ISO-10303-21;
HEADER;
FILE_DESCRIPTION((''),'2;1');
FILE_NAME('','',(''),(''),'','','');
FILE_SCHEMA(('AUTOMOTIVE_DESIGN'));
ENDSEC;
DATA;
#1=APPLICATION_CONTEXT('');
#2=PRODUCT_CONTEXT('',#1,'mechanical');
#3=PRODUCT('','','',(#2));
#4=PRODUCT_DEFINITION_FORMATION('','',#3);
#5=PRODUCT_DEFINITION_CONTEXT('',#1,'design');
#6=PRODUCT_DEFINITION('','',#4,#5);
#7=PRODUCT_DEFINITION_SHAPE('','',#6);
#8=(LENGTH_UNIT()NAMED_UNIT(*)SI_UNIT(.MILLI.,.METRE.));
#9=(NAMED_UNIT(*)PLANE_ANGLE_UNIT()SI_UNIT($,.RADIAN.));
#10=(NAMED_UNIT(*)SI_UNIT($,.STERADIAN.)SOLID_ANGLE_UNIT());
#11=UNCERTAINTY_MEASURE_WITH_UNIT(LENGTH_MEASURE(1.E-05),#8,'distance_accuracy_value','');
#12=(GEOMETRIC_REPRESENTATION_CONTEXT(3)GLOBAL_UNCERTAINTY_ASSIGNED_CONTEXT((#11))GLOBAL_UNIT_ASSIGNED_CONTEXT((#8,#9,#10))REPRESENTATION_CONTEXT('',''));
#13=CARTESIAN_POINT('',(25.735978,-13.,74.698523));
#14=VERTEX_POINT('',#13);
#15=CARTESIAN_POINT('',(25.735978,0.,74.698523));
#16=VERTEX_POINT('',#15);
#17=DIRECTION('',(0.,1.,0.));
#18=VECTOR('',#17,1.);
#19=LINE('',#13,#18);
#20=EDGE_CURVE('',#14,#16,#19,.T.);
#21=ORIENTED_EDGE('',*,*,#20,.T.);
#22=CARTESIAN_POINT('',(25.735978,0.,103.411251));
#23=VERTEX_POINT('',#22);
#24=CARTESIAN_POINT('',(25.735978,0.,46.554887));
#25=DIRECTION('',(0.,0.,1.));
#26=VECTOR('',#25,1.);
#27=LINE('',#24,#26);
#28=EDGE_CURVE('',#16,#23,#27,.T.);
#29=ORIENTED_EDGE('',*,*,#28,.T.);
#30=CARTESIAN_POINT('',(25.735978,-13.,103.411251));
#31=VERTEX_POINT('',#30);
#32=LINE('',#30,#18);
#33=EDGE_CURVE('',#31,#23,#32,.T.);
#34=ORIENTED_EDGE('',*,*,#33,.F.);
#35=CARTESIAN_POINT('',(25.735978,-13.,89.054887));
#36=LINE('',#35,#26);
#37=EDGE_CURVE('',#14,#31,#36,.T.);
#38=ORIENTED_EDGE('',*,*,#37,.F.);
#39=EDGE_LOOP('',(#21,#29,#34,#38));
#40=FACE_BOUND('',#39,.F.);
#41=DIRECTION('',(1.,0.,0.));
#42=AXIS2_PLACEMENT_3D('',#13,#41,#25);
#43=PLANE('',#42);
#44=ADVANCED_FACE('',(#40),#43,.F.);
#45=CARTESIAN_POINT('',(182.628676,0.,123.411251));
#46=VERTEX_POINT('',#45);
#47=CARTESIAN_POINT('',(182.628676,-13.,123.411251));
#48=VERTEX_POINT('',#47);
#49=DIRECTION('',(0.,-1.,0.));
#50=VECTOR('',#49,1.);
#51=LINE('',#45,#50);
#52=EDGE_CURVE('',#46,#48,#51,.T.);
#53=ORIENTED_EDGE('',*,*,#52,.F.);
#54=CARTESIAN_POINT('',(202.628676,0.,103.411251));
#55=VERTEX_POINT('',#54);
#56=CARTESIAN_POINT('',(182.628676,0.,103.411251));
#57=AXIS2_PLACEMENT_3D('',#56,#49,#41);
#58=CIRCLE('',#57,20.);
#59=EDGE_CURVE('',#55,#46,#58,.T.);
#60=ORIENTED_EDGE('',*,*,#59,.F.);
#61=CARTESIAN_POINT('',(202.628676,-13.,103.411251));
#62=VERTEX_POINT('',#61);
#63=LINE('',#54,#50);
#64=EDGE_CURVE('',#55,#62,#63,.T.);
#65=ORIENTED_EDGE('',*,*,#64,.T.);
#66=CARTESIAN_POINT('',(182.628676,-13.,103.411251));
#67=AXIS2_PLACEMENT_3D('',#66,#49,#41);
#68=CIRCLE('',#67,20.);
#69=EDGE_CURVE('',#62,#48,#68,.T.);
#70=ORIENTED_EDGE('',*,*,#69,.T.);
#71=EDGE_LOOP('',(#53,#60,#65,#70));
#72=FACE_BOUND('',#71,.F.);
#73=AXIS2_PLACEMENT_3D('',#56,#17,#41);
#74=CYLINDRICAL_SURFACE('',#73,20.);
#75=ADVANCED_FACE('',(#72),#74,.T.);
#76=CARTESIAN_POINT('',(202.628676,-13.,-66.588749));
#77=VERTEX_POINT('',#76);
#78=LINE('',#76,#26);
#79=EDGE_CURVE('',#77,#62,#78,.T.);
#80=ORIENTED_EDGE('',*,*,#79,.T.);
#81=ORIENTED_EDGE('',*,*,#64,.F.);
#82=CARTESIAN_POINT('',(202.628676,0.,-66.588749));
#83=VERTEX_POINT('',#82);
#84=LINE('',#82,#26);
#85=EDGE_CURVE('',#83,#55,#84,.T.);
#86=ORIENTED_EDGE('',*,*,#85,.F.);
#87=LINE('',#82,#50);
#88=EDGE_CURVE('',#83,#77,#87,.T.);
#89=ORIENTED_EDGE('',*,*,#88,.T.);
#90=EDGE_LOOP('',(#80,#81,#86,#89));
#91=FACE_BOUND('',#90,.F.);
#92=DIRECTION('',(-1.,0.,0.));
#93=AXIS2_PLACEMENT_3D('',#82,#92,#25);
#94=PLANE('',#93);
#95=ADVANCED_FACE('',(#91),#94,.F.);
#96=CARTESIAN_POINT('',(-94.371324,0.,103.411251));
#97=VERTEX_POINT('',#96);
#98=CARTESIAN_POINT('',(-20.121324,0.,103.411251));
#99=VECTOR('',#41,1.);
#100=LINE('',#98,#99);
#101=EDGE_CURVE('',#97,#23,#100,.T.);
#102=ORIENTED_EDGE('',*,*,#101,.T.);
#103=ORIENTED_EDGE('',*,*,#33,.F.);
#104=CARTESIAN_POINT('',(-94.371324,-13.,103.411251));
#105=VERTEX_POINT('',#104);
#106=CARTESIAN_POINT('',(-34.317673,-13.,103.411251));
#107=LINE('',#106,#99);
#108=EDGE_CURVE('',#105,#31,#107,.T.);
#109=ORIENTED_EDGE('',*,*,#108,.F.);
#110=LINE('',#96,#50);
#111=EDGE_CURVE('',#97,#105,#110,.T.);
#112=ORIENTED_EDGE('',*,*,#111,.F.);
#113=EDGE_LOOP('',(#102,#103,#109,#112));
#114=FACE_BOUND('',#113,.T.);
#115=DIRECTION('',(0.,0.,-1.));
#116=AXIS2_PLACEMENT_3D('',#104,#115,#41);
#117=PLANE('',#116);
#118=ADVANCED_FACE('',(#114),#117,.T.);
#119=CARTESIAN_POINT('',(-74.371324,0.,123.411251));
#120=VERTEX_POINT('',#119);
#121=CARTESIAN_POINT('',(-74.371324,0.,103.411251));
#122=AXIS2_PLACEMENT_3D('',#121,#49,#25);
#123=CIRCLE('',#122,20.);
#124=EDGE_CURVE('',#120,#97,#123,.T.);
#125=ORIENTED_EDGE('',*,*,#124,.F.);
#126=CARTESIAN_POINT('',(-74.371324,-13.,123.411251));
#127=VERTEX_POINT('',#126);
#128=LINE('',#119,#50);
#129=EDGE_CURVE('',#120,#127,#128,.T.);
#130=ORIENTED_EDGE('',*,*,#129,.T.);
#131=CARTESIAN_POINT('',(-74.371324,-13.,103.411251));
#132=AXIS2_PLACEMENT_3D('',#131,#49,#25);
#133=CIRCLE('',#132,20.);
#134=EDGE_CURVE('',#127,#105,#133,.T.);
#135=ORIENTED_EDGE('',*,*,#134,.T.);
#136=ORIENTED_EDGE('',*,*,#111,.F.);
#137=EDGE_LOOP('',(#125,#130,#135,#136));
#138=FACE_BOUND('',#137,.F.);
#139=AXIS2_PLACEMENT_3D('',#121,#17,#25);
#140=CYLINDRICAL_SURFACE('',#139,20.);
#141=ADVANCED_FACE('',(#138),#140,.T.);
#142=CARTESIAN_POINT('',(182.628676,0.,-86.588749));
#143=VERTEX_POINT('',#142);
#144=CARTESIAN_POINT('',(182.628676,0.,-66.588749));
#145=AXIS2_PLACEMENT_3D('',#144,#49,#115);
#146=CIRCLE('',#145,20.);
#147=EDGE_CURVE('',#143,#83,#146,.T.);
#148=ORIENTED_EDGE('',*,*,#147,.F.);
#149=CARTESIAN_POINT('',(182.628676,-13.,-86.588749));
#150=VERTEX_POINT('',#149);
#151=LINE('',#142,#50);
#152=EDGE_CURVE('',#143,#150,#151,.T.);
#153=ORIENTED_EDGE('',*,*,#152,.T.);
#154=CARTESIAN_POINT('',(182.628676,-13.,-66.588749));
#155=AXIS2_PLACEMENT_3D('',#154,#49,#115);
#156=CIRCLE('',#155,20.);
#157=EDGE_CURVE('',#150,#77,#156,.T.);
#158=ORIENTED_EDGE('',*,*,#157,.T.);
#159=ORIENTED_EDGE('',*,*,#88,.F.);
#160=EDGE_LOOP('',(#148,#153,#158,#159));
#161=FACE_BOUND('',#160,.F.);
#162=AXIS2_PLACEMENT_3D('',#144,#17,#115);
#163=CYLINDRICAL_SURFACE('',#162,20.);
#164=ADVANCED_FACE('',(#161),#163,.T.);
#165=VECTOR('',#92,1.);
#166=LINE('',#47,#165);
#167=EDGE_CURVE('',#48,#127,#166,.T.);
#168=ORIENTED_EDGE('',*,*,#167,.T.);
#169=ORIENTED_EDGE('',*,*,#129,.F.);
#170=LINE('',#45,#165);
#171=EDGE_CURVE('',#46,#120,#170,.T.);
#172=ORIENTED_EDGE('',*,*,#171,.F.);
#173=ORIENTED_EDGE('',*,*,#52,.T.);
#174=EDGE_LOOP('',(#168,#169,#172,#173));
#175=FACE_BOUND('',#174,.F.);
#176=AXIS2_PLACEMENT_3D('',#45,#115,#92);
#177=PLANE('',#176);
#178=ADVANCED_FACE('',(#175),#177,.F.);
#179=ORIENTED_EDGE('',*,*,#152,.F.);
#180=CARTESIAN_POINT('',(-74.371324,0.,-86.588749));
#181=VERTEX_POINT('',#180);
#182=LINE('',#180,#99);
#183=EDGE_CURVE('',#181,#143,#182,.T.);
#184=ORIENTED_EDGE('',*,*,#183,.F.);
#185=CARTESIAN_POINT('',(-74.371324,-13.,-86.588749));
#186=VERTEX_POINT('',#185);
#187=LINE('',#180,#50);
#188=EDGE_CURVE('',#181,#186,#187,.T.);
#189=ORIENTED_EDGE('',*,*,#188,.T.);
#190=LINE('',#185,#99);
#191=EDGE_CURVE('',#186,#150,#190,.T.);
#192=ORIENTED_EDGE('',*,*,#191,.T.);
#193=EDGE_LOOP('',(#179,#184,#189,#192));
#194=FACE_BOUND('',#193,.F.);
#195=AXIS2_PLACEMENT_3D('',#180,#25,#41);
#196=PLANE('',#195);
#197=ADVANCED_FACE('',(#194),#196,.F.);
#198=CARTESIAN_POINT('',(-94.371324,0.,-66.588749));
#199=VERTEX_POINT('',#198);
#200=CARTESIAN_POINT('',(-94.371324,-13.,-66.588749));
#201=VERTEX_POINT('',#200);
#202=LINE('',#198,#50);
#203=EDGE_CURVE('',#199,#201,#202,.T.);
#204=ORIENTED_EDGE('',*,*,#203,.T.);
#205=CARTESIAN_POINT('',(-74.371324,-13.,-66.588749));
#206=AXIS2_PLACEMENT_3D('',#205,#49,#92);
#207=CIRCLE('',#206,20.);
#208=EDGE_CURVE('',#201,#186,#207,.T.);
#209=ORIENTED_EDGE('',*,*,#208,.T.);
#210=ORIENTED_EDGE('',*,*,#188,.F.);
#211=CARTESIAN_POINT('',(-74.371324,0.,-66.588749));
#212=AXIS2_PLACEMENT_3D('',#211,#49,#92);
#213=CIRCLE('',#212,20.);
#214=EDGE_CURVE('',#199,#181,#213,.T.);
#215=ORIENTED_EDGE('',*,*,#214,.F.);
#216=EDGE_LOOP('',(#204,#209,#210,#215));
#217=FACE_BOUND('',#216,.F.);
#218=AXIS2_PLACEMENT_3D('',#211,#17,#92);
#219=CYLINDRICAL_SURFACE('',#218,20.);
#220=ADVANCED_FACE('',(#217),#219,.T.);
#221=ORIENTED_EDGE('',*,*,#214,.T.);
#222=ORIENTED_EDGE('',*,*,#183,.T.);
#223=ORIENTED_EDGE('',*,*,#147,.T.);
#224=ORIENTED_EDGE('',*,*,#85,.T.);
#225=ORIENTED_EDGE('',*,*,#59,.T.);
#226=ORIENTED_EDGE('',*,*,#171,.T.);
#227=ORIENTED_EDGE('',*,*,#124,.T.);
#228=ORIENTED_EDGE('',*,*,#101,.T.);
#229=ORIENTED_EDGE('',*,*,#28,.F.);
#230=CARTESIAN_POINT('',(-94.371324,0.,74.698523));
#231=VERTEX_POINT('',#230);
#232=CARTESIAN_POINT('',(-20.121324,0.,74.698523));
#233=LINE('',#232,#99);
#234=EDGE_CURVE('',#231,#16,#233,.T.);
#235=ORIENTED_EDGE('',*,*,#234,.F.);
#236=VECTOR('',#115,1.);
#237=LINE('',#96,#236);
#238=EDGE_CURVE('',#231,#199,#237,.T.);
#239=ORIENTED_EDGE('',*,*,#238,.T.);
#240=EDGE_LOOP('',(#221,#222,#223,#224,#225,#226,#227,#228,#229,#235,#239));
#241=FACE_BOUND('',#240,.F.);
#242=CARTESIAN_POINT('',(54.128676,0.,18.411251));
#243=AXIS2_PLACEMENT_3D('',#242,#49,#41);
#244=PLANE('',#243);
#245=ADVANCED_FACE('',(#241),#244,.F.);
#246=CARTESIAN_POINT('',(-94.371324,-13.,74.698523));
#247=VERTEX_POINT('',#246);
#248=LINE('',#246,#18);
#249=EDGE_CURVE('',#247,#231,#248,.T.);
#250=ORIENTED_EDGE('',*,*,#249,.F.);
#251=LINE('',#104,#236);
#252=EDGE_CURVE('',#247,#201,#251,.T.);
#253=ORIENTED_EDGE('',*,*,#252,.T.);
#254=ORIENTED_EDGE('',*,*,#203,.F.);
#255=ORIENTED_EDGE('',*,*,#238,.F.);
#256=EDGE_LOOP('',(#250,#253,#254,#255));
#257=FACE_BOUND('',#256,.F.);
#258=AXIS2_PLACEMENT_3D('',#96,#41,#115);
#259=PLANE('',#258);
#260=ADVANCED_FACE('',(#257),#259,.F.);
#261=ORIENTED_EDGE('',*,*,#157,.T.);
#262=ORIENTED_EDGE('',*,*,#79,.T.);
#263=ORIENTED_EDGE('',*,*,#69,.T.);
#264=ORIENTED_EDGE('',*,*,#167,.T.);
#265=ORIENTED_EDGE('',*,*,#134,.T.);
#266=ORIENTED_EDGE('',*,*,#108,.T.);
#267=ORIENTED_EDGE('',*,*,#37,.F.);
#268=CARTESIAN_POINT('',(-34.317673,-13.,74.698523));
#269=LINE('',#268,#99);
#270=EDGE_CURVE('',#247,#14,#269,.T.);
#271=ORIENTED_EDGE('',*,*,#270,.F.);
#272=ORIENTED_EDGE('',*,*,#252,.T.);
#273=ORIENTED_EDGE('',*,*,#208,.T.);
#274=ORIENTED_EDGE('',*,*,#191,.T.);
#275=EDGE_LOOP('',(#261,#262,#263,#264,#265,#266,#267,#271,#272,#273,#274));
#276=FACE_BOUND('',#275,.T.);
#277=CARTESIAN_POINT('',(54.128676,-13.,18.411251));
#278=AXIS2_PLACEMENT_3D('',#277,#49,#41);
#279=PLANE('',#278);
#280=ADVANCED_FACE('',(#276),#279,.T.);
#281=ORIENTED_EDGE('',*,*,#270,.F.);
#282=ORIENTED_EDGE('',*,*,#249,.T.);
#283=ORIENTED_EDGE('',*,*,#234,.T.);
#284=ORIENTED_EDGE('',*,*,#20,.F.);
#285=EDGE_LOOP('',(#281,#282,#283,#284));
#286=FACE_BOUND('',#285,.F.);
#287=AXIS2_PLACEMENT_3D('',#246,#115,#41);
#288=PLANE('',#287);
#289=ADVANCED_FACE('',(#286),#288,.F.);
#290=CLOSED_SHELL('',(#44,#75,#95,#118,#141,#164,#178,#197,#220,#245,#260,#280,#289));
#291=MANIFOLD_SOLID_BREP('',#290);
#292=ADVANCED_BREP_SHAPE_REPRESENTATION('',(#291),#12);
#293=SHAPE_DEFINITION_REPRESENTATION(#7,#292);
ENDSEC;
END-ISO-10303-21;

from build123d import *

# Parameters (mm, degrees)
F1_DEPTH = 13
F2_W     = 120.1073021542
F2_H     = 28.7127285648
F5_DEPTH = 25


with BuildPart() as f1:
    # F0 (on Front) → F1 (new body)
    with BuildSketch(Plane.XZ):
        with BuildLine():
            Line((182.6286758829, 123.4112512518), (-74.3713241171, 123.4112512518))
            ThreePointArc((-74.3713241171, 123.4112512518), (-88.5134597409, 117.5533868755), (-94.3713241171, 103.4112512518))
            Line((-94.3713241171, 103.4112512518), (-94.3713241171, -66.5887487482))
            ThreePointArc((-94.3713241171, -66.5887487482), (-88.5134597409, -80.7308843719), (-74.3713241171, -86.5887487482))
            Line((-74.3713241171, -86.5887487482), (182.6286758829, -86.5887487482))
            ThreePointArc((182.6286758829, -86.5887487482), (196.7708115066, -80.7308843719), (202.6286758829, -66.5887487482))
            Line((202.6286758829, -66.5887487482), (202.6286758829, 103.4112512518))
            ThreePointArc((202.6286758829, 103.4112512518), (196.7708115066, 117.5533868755), (182.6286758829, 123.4112512518))
        make_face()
    extrude(amount=F1_DEPTH)

    # F2 (on face) → F5 (cut)
    with BuildSketch(Plane.XZ.offset(13)):
        with Locations((-34.31767304, 89.0548869694)):
            Rectangle(F2_W, F2_H)
    extrude(amount=-F5_DEPTH, mode=Mode.SUBTRACT)


solid = f1.part
